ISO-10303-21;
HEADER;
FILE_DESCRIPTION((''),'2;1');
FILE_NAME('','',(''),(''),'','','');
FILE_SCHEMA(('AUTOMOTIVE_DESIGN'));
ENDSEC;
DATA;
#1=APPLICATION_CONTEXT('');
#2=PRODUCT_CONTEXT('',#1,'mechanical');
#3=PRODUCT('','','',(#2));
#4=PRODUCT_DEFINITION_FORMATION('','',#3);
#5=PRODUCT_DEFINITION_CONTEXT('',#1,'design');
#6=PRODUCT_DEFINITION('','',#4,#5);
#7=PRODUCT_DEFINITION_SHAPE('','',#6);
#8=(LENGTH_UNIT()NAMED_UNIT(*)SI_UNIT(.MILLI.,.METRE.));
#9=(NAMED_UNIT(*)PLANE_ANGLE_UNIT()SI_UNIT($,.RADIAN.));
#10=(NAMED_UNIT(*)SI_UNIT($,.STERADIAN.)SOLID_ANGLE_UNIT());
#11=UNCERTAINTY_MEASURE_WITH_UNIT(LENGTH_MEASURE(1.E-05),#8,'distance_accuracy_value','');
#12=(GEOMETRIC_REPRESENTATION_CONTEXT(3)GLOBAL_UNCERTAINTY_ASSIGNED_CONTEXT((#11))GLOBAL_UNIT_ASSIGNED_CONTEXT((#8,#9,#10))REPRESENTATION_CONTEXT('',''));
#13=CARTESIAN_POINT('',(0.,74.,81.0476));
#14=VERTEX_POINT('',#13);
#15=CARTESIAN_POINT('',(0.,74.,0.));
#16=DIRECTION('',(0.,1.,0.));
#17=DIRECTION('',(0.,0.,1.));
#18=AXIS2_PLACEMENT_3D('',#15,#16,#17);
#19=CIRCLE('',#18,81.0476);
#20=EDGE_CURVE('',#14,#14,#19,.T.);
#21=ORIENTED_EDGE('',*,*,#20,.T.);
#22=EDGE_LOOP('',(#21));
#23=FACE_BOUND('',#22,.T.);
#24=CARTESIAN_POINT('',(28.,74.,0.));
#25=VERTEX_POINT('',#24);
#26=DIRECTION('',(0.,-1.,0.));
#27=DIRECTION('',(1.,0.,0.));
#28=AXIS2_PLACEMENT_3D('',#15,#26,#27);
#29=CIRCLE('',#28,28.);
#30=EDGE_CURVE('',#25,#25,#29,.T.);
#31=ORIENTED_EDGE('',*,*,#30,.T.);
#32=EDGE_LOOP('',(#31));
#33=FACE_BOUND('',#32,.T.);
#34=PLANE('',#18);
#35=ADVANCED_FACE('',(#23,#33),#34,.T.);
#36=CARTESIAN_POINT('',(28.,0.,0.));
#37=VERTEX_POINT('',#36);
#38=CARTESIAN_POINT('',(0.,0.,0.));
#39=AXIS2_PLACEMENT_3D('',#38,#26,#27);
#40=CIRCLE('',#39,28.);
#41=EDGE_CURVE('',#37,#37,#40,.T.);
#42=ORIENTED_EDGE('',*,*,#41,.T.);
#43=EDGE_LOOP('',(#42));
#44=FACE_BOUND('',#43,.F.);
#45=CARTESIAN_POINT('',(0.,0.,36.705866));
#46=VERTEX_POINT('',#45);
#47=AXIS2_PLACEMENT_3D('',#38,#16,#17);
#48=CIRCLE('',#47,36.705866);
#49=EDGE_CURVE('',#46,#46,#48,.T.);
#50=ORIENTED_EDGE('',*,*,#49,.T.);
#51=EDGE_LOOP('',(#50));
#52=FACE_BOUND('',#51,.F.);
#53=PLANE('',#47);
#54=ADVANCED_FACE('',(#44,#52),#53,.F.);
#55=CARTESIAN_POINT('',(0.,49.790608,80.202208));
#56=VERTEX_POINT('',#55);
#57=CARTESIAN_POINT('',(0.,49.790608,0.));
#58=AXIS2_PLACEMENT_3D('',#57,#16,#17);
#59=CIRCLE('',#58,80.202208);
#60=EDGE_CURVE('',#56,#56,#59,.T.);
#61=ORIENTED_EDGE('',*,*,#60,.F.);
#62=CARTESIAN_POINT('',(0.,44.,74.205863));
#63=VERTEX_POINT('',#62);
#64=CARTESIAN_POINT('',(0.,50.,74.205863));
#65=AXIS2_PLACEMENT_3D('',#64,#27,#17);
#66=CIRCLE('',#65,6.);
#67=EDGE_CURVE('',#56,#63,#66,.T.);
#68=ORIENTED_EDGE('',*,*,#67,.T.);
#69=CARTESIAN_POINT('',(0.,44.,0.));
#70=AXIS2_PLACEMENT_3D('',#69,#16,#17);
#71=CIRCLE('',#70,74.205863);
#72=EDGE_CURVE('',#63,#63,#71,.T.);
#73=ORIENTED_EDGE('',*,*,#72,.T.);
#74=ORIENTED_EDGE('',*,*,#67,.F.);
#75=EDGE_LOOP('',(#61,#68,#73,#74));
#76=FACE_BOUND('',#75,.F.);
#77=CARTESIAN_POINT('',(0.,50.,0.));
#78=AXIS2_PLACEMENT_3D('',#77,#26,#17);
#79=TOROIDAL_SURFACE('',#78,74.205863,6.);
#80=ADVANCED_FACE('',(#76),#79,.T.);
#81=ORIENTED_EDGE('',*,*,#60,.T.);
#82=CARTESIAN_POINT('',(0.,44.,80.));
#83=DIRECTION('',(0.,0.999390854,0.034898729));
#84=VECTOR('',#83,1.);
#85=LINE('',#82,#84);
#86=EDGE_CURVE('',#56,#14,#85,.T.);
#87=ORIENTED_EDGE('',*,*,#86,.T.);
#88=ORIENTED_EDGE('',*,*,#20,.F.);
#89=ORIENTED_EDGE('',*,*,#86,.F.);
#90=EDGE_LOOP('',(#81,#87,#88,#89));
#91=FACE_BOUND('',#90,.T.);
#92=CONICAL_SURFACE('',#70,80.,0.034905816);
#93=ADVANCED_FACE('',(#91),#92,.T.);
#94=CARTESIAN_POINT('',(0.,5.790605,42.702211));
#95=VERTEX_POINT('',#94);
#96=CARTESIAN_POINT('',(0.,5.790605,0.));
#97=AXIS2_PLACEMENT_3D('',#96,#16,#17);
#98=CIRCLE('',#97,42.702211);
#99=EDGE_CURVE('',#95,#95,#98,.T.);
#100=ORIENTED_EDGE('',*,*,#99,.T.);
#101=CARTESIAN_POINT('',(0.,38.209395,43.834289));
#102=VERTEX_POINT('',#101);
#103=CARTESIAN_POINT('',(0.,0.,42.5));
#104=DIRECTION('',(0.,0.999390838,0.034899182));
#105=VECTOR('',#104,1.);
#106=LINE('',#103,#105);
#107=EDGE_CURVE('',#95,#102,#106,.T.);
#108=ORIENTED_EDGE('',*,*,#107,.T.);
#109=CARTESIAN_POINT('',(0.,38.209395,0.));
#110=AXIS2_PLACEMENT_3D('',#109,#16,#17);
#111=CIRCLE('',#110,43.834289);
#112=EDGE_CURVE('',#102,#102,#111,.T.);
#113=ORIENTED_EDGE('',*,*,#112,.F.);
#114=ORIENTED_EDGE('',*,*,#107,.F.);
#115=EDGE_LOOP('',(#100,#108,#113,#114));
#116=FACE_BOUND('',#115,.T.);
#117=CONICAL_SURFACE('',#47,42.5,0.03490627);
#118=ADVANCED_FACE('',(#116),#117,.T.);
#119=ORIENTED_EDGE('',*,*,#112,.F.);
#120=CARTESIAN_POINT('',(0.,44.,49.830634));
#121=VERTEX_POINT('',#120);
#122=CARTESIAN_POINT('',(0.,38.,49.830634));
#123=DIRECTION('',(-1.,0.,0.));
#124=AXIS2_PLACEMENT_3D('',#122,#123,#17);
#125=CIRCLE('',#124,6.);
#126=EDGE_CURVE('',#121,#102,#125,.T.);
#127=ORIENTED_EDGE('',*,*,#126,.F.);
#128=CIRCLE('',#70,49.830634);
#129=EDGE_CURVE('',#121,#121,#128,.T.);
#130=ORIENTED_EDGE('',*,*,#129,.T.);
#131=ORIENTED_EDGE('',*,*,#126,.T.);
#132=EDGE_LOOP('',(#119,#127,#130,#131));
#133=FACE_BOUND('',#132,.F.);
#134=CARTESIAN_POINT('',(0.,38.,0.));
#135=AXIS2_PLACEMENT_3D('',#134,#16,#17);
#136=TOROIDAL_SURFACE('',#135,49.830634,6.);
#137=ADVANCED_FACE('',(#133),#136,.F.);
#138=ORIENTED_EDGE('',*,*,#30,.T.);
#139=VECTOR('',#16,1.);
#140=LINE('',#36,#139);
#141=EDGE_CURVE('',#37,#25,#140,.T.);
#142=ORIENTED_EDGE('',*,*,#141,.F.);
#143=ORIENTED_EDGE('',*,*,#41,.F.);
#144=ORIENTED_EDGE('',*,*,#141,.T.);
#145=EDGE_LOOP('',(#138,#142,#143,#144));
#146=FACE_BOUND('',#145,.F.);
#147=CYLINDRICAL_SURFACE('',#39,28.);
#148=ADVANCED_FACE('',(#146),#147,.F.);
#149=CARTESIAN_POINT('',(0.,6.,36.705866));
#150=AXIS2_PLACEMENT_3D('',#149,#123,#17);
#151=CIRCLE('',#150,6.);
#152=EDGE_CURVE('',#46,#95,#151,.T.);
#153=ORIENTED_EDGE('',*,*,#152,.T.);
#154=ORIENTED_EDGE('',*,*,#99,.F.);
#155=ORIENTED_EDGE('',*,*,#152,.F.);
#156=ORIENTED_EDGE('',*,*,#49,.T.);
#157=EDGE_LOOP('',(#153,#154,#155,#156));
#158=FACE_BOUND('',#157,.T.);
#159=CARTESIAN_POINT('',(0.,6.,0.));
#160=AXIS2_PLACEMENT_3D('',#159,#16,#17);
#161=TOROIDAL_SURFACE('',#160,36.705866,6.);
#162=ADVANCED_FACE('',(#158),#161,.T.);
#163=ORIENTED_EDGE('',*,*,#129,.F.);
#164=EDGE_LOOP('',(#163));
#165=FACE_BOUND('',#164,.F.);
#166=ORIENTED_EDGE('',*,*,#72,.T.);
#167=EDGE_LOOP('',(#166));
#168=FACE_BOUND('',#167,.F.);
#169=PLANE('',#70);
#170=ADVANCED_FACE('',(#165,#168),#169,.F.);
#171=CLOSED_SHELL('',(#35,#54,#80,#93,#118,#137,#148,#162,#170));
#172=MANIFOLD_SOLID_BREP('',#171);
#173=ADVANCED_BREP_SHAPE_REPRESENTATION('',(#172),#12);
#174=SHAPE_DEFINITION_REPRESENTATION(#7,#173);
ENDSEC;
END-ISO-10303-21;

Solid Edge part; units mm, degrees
sketch "Sketch1" plane through (0, 0, 0) normal (1, 0, 0) x (0, 1, 0)
  line L0 (74, 81.0476) -> (74, 0)
  line L1 (44, 80) -> (74, 81.0476)
  line L2 (44, 80) -> (44, 44.0365)
  line L3 (0, 42.5) -> (44, 44.0365)
  line L4 (0, 42.5) -> (0, 0)
  dimension "D1" = 42.5
  dimension "D2" = 35.9635
  dimension "D3" = 81.0476
  dimension "D4" = 30.0183
  dimension "D5" = 44.0268
revolve "RevolvedProtrusion1" add sketch "Sketch1" angle 360 about axis through (0, 0, 0) along (0, 1, 0)
sketch "Sketch2" plane through (0, 0, 0) normal (0, -1, 0) x (1, 0, 0)
  circle A0 centre (0, 0) radius 28
extrude "Cutout1" cut sketch "Sketch2" against normal blind 250.3843
fillet "Raccordi" radius 6 3 edges at (0, 0, 42.5) (0, 44, 44.0365) (0, 44, 80)
properties material "Acciaio"
